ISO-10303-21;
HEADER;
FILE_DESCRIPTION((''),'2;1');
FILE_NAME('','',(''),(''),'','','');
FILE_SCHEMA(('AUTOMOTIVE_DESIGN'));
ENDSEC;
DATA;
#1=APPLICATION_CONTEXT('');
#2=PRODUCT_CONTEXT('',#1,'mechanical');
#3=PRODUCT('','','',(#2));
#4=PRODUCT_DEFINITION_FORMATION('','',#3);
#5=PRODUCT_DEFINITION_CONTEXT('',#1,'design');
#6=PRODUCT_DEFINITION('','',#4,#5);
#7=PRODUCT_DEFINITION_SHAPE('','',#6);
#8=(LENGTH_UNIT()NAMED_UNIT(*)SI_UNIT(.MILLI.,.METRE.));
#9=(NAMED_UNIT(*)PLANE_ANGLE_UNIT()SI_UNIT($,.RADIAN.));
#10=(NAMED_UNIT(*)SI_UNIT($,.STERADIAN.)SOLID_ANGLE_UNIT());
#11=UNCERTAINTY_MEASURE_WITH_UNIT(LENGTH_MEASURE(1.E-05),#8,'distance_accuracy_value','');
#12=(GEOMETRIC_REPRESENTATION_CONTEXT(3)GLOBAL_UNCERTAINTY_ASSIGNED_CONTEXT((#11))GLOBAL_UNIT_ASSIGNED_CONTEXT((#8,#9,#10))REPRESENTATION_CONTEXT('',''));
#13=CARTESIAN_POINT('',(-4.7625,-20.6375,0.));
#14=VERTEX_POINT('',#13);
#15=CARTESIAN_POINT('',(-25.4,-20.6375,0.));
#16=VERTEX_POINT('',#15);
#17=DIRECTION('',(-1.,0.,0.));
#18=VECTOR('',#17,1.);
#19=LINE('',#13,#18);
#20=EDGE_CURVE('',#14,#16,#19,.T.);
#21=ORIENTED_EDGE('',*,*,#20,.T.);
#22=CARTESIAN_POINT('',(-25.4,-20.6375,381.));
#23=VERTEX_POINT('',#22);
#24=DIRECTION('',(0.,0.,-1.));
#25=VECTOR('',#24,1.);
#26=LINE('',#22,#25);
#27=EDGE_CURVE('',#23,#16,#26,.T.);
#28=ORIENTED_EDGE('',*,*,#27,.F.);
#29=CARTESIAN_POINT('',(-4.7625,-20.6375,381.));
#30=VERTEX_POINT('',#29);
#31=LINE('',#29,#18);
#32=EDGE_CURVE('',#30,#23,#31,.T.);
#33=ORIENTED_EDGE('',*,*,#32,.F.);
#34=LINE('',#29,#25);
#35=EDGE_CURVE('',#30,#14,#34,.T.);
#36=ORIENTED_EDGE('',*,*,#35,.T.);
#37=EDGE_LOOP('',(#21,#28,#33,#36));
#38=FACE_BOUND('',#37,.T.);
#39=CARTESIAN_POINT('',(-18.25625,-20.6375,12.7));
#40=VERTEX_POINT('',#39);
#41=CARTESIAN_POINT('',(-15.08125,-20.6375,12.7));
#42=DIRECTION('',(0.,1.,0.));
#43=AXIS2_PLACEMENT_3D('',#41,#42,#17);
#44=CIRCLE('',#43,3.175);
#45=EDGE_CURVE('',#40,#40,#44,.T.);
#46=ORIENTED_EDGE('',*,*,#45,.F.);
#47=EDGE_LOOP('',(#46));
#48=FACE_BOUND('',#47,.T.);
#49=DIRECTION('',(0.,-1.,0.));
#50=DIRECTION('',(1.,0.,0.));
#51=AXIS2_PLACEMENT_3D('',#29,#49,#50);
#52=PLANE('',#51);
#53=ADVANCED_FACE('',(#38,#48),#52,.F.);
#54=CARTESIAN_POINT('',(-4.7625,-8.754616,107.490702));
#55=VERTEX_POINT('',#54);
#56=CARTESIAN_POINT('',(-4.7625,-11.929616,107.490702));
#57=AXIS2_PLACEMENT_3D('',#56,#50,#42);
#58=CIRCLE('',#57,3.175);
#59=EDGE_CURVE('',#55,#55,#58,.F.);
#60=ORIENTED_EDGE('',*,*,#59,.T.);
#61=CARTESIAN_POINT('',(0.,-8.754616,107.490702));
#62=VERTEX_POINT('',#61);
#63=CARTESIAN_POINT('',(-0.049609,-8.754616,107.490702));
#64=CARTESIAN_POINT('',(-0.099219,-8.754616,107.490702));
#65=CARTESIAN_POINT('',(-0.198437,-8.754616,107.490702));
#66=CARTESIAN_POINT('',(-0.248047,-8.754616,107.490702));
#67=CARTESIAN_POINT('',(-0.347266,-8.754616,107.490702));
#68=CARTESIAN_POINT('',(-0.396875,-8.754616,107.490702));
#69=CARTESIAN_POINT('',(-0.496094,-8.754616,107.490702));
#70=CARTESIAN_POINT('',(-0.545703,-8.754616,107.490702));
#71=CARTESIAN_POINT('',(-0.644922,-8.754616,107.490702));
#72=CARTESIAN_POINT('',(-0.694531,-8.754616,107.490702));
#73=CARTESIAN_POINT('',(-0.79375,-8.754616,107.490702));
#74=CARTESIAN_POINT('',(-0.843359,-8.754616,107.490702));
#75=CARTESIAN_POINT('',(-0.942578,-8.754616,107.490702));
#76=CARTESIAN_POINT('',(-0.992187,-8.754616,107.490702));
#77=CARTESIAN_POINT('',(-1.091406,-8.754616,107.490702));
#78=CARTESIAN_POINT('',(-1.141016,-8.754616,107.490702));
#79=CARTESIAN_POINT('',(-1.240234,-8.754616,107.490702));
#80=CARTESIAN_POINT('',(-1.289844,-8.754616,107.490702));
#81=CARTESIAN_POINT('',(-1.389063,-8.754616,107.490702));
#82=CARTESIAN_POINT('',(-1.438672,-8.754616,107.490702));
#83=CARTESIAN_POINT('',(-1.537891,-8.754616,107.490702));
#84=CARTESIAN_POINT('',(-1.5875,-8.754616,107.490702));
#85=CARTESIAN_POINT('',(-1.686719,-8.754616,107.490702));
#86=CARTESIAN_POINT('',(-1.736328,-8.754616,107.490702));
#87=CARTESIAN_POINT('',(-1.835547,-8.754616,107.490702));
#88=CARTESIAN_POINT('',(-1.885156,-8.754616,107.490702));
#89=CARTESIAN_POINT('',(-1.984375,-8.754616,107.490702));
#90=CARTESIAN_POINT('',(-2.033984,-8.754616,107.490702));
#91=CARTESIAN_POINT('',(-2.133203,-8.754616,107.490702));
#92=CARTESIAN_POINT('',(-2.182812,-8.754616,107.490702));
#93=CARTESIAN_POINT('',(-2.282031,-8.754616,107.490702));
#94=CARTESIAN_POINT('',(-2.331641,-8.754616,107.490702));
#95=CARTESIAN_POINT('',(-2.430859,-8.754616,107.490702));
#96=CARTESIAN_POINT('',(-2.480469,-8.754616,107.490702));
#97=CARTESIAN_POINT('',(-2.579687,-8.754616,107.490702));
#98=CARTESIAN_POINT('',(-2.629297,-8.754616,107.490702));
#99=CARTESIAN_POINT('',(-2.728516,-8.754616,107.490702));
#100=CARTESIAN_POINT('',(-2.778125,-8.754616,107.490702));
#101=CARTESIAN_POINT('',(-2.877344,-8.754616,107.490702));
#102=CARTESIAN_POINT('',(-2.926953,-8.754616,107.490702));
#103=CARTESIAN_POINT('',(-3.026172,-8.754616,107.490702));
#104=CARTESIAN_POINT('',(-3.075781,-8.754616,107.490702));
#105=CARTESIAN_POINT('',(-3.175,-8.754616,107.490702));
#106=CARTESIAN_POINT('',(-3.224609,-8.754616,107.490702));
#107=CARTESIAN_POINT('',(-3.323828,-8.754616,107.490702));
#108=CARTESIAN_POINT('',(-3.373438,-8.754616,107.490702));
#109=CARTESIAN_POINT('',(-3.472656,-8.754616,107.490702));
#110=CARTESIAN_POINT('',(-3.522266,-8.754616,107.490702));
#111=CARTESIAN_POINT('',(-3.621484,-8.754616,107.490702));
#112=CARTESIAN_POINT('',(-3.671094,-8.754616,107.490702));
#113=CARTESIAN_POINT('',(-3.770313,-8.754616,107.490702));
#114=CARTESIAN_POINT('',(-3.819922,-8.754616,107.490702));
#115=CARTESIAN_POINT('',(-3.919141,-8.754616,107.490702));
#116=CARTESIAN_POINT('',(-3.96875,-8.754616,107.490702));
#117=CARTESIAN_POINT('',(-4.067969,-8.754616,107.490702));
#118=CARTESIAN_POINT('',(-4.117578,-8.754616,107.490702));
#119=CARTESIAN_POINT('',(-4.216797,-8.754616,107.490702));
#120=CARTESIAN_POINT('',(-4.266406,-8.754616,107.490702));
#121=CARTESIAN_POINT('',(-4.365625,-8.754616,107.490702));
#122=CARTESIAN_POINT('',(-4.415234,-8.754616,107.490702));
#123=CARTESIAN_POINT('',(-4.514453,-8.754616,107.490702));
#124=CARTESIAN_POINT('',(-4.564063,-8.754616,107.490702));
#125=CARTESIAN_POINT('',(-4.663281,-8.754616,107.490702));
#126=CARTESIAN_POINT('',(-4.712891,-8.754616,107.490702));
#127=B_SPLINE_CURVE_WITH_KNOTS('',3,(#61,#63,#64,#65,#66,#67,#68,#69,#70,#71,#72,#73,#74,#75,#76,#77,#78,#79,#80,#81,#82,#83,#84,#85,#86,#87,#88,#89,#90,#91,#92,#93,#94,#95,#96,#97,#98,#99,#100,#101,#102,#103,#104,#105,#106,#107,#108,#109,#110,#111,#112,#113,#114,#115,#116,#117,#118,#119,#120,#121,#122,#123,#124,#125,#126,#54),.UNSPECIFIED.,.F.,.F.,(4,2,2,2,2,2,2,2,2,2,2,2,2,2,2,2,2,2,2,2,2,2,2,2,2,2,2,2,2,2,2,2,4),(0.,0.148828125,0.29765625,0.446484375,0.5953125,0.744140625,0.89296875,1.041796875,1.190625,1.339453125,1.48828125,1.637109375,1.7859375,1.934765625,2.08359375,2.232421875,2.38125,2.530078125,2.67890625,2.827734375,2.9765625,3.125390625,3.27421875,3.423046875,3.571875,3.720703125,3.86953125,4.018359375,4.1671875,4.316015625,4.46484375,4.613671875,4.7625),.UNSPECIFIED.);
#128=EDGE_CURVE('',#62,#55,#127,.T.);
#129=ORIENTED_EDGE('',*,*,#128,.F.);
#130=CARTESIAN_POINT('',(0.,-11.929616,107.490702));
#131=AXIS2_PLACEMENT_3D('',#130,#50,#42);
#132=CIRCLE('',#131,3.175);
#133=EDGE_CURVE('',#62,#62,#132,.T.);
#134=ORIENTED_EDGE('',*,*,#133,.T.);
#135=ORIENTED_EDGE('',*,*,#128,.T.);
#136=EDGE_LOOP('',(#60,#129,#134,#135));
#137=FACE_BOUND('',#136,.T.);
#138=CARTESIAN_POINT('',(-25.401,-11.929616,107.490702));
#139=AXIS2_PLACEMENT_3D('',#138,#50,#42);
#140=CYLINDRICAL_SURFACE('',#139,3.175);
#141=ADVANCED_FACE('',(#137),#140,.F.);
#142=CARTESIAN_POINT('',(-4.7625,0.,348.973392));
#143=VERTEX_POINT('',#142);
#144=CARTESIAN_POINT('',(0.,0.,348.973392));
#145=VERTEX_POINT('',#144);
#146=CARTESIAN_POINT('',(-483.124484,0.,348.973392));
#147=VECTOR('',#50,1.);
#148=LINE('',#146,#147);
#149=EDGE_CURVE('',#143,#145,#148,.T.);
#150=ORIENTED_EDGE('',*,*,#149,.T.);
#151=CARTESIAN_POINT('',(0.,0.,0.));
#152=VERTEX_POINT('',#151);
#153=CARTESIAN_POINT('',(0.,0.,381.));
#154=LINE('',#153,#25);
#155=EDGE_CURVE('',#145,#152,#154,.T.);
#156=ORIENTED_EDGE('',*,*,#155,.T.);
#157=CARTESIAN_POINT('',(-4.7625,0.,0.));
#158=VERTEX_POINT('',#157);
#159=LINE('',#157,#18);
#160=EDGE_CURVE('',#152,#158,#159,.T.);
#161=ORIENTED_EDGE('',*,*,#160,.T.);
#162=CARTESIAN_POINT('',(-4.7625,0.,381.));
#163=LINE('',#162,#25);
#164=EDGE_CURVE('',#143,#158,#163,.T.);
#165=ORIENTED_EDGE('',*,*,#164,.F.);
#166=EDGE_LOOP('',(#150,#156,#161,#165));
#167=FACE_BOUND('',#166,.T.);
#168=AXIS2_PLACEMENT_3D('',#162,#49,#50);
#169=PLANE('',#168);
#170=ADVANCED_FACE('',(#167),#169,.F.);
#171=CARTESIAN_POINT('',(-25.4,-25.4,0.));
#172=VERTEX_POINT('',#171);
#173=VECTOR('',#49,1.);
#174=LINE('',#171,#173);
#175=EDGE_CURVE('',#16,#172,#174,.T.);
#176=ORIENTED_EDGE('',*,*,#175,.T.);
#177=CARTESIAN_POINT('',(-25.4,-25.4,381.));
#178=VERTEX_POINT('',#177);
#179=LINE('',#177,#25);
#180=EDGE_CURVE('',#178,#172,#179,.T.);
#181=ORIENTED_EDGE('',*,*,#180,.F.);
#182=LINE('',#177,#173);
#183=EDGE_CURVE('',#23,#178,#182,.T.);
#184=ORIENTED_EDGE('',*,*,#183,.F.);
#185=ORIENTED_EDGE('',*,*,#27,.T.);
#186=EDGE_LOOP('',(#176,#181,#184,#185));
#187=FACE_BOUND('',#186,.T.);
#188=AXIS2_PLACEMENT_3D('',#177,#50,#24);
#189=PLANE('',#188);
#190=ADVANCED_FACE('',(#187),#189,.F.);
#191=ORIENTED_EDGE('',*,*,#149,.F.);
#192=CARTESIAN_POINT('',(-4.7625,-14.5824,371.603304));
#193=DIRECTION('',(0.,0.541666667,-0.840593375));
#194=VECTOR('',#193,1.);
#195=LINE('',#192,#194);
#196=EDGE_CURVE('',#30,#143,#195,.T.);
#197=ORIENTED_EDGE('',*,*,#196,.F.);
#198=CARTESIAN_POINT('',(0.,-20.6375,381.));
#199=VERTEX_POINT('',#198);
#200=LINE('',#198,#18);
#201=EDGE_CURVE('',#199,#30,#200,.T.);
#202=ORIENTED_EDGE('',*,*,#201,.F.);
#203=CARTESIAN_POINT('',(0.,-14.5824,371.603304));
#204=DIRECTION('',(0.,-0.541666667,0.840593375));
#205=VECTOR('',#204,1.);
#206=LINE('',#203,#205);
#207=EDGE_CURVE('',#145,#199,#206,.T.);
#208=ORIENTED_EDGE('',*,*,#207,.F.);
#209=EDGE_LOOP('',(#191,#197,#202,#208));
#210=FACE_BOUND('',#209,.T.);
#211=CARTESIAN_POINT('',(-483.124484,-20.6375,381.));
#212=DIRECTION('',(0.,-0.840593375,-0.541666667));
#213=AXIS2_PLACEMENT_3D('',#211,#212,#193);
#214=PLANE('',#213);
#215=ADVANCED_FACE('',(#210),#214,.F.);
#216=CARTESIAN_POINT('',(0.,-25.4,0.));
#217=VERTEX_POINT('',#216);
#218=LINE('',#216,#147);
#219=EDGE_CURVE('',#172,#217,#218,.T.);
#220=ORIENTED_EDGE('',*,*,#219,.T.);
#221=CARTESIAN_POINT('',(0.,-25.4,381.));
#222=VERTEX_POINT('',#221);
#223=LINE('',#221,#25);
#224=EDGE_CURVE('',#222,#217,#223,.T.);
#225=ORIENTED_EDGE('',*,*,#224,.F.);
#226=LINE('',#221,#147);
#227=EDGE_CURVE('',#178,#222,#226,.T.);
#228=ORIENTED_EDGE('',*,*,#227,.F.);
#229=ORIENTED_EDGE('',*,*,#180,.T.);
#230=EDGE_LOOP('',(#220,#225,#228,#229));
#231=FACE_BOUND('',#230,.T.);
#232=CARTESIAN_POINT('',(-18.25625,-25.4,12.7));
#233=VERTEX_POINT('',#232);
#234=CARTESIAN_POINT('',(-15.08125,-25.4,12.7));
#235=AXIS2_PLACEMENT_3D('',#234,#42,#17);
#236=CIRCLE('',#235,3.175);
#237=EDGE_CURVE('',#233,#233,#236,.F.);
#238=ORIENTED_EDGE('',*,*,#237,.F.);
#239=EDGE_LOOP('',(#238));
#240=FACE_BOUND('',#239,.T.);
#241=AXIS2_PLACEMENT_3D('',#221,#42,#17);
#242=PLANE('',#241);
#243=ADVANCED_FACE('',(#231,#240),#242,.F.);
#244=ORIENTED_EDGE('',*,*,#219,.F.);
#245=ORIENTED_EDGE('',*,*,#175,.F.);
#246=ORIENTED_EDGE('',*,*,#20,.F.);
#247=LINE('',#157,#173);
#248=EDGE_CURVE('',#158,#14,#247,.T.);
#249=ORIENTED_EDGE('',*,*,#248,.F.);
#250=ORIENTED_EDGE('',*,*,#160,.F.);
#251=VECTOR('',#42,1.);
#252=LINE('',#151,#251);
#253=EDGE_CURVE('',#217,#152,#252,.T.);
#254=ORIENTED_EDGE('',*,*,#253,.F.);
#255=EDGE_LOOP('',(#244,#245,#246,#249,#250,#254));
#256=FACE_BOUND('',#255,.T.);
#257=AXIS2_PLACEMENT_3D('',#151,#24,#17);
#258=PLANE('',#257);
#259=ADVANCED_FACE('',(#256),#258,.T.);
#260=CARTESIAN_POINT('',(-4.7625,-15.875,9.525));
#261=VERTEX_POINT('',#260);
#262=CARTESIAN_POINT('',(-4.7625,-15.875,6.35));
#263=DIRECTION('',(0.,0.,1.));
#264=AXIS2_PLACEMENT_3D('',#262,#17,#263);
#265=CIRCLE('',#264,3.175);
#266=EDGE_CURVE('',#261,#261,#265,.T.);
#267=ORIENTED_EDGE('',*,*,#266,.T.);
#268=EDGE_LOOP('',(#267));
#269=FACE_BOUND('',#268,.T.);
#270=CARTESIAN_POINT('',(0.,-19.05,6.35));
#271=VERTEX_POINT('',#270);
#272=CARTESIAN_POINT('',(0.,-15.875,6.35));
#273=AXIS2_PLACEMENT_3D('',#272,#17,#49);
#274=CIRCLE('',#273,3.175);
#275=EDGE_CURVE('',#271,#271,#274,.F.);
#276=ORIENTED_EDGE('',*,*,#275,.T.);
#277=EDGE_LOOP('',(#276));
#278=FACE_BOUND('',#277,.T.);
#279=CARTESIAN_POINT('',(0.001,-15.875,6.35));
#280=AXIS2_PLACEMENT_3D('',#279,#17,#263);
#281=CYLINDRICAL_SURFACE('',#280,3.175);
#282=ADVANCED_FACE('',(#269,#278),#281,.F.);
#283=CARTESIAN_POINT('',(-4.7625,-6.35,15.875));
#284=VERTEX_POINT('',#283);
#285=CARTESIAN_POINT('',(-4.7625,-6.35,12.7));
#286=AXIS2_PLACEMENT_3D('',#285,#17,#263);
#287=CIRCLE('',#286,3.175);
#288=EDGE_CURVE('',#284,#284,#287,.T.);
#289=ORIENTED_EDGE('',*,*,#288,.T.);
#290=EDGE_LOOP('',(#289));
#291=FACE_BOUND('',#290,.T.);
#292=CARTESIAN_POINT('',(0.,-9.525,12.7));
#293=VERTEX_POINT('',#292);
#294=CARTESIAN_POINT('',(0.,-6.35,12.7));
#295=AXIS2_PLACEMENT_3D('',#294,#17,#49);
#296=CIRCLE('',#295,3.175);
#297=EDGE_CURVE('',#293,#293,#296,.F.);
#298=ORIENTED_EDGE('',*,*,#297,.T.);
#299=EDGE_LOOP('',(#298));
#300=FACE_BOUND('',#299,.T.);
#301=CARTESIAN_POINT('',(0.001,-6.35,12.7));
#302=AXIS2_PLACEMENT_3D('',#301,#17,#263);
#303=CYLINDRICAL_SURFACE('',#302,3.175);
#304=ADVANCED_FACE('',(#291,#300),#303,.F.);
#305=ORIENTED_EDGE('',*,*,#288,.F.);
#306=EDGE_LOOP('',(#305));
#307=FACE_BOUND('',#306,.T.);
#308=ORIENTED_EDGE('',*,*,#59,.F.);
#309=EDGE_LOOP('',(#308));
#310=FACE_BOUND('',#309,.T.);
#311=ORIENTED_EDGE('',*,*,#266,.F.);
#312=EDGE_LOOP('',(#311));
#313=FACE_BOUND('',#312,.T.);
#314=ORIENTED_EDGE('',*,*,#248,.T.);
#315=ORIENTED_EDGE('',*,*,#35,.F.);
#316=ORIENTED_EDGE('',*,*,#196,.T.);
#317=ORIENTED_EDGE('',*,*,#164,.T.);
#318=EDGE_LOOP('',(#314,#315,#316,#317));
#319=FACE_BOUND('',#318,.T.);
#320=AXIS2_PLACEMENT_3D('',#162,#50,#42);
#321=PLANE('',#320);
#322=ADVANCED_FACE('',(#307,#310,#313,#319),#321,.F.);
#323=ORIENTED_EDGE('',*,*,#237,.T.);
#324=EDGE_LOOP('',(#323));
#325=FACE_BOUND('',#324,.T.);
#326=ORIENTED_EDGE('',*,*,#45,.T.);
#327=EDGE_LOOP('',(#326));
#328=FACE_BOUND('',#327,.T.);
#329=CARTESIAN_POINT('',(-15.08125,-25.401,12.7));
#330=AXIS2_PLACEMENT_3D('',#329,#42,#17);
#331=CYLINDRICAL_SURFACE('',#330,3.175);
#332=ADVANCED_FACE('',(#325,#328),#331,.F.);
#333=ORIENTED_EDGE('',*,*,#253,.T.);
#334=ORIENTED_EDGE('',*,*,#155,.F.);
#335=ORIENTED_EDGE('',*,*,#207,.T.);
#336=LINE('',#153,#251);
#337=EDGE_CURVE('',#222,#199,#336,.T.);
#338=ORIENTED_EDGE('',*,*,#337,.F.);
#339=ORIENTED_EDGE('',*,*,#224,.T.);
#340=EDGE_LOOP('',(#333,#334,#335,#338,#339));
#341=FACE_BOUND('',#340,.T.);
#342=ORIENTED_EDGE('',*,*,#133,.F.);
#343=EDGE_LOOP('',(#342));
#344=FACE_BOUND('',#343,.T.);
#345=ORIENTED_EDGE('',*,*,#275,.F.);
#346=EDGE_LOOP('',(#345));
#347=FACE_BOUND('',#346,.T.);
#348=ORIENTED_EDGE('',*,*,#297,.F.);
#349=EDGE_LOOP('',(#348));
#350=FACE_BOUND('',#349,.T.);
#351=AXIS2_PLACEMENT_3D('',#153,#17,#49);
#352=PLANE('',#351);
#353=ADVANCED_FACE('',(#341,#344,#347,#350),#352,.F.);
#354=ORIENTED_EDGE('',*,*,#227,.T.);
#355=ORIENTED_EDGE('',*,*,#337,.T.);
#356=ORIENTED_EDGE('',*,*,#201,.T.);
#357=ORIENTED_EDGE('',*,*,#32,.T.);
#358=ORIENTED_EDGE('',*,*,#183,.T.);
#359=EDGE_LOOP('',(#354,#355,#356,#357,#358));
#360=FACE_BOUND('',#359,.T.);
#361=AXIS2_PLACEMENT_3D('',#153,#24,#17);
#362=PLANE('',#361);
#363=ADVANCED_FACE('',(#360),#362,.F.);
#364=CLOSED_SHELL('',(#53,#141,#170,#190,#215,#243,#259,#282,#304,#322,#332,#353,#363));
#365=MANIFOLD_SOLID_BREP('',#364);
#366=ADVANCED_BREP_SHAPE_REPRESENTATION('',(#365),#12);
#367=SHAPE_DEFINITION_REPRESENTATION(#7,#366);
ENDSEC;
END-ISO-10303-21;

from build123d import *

# Parameters (mm, degrees)
BOSS_EXTRUDE1_DEPTH     = 381
CUT_EXTRUDE3_DEPTH      = 383.403015687
CUT_EXTRUDE3_DEPTH_BACK = 383.403015687
CUT_EXTRUDE4_REACH      = 384.403
SKETCH6_R               = 3.175
CUT_EXTRUDE5_REACH      = 384.69
SKETCH7_R               = 3.175
CUT_EXTRUDE6_REACH      = 384.403
SKETCH8_R               = 3.175


with BuildPart() as part:
    # Sketch1 → Boss-Extrude1 (new body)
    with BuildSketch(Plane.XY):
        Polygon((0, 0), (0, -25.4), (-25.4, -25.4), (-25.4, -20.6375), (-4.7625, -20.6375), (-4.7625, 0), align=None)
    extrude(amount=BOSS_EXTRUDE1_DEPTH)

    # Sketch4 → Cut-Extrude3 (cut, two sides: drawn at the far end of the back side and taken through both)
    with BuildSketch(Plane.ZY.offset(4.7625).offset(-CUT_EXTRUDE3_DEPTH_BACK)):
        Polygon((1030.877066877, -439.409233154), (381, -20.6375), (348.97339241, 0), (-300.903674467, 418.771733154), (536.63979184, 1718.525866908), (1868.420533185, 860.3449006), align=None)
    extrude(amount=CUT_EXTRUDE3_DEPTH + CUT_EXTRUDE3_DEPTH_BACK, mode=Mode.SUBTRACT)

    # Sketch6 → Cut-Extrude4 (cut, up to next)
    with BuildSketch(Plane.ZY.offset(4.7625), mode=Mode.PRIVATE) as cut_extrude4_sk1:
        with Locations((6.35, -15.875)):
            Circle(SKETCH6_R)
    cut_extrude4_tool1 = extrude(cut_extrude4_sk1.sketch, amount=-CUT_EXTRUDE4_REACH, mode=Mode.PRIVATE) & part.part
    # Sketch6 → Cut-Extrude4 (cut, up to next)
    with BuildSketch(Plane.ZY.offset(4.7625), mode=Mode.PRIVATE) as cut_extrude4_sk2:
        with Locations((12.7, -6.35)):
            Circle(SKETCH6_R)
    cut_extrude4_tool2 = extrude(cut_extrude4_sk2.sketch, amount=-CUT_EXTRUDE4_REACH, mode=Mode.PRIVATE) & part.part
    add(cut_extrude4_tool1.solids().sort_by_distance((-4.7625, -15.875, 6.35))[0], mode=Mode.SUBTRACT)
    add(cut_extrude4_tool2.solids().sort_by_distance((-4.7625, -6.35, 12.7))[0], mode=Mode.SUBTRACT)

    # Sketch7 → Cut-Extrude5 (cut, up to next)
    with BuildSketch(Plane(origin=(0, 0, 0), x_dir=(0, 0, -1), z_dir=(1, 0, 0)), mode=Mode.PRIVATE) as cut_extrude5_sk1:
        with Locations(Location((-107.490701513, -11.929615818, 0), (0, 0, 90))):
            Circle(SKETCH7_R)
    cut_extrude5_tool1 = extrude(cut_extrude5_sk1.sketch, amount=-CUT_EXTRUDE5_REACH, mode=Mode.PRIVATE) & part.part
    add(cut_extrude5_tool1.solids().sort_by_distance((0, -11.929616, 107.490702))[0], mode=Mode.SUBTRACT)

    # Sketch8 → Cut-Extrude6 (cut, up to next)
    with BuildSketch(Plane(origin=(0, -20.6375, 0), x_dir=(1, 0, 0), z_dir=(0, 1, 0)), mode=Mode.PRIVATE) as cut_extrude6_sk1:
        with Locations(Location((-15.08125, -12.7, 0), (0, 0, 180))):
            Circle(SKETCH8_R)
    cut_extrude6_tool1 = extrude(cut_extrude6_sk1.sketch, amount=-CUT_EXTRUDE6_REACH, mode=Mode.PRIVATE) & part.part
    add(cut_extrude6_tool1.solids().sort_by_distance((-15.08125, -20.6375, 12.7))[0], mode=Mode.SUBTRACT)


solid = part.part
